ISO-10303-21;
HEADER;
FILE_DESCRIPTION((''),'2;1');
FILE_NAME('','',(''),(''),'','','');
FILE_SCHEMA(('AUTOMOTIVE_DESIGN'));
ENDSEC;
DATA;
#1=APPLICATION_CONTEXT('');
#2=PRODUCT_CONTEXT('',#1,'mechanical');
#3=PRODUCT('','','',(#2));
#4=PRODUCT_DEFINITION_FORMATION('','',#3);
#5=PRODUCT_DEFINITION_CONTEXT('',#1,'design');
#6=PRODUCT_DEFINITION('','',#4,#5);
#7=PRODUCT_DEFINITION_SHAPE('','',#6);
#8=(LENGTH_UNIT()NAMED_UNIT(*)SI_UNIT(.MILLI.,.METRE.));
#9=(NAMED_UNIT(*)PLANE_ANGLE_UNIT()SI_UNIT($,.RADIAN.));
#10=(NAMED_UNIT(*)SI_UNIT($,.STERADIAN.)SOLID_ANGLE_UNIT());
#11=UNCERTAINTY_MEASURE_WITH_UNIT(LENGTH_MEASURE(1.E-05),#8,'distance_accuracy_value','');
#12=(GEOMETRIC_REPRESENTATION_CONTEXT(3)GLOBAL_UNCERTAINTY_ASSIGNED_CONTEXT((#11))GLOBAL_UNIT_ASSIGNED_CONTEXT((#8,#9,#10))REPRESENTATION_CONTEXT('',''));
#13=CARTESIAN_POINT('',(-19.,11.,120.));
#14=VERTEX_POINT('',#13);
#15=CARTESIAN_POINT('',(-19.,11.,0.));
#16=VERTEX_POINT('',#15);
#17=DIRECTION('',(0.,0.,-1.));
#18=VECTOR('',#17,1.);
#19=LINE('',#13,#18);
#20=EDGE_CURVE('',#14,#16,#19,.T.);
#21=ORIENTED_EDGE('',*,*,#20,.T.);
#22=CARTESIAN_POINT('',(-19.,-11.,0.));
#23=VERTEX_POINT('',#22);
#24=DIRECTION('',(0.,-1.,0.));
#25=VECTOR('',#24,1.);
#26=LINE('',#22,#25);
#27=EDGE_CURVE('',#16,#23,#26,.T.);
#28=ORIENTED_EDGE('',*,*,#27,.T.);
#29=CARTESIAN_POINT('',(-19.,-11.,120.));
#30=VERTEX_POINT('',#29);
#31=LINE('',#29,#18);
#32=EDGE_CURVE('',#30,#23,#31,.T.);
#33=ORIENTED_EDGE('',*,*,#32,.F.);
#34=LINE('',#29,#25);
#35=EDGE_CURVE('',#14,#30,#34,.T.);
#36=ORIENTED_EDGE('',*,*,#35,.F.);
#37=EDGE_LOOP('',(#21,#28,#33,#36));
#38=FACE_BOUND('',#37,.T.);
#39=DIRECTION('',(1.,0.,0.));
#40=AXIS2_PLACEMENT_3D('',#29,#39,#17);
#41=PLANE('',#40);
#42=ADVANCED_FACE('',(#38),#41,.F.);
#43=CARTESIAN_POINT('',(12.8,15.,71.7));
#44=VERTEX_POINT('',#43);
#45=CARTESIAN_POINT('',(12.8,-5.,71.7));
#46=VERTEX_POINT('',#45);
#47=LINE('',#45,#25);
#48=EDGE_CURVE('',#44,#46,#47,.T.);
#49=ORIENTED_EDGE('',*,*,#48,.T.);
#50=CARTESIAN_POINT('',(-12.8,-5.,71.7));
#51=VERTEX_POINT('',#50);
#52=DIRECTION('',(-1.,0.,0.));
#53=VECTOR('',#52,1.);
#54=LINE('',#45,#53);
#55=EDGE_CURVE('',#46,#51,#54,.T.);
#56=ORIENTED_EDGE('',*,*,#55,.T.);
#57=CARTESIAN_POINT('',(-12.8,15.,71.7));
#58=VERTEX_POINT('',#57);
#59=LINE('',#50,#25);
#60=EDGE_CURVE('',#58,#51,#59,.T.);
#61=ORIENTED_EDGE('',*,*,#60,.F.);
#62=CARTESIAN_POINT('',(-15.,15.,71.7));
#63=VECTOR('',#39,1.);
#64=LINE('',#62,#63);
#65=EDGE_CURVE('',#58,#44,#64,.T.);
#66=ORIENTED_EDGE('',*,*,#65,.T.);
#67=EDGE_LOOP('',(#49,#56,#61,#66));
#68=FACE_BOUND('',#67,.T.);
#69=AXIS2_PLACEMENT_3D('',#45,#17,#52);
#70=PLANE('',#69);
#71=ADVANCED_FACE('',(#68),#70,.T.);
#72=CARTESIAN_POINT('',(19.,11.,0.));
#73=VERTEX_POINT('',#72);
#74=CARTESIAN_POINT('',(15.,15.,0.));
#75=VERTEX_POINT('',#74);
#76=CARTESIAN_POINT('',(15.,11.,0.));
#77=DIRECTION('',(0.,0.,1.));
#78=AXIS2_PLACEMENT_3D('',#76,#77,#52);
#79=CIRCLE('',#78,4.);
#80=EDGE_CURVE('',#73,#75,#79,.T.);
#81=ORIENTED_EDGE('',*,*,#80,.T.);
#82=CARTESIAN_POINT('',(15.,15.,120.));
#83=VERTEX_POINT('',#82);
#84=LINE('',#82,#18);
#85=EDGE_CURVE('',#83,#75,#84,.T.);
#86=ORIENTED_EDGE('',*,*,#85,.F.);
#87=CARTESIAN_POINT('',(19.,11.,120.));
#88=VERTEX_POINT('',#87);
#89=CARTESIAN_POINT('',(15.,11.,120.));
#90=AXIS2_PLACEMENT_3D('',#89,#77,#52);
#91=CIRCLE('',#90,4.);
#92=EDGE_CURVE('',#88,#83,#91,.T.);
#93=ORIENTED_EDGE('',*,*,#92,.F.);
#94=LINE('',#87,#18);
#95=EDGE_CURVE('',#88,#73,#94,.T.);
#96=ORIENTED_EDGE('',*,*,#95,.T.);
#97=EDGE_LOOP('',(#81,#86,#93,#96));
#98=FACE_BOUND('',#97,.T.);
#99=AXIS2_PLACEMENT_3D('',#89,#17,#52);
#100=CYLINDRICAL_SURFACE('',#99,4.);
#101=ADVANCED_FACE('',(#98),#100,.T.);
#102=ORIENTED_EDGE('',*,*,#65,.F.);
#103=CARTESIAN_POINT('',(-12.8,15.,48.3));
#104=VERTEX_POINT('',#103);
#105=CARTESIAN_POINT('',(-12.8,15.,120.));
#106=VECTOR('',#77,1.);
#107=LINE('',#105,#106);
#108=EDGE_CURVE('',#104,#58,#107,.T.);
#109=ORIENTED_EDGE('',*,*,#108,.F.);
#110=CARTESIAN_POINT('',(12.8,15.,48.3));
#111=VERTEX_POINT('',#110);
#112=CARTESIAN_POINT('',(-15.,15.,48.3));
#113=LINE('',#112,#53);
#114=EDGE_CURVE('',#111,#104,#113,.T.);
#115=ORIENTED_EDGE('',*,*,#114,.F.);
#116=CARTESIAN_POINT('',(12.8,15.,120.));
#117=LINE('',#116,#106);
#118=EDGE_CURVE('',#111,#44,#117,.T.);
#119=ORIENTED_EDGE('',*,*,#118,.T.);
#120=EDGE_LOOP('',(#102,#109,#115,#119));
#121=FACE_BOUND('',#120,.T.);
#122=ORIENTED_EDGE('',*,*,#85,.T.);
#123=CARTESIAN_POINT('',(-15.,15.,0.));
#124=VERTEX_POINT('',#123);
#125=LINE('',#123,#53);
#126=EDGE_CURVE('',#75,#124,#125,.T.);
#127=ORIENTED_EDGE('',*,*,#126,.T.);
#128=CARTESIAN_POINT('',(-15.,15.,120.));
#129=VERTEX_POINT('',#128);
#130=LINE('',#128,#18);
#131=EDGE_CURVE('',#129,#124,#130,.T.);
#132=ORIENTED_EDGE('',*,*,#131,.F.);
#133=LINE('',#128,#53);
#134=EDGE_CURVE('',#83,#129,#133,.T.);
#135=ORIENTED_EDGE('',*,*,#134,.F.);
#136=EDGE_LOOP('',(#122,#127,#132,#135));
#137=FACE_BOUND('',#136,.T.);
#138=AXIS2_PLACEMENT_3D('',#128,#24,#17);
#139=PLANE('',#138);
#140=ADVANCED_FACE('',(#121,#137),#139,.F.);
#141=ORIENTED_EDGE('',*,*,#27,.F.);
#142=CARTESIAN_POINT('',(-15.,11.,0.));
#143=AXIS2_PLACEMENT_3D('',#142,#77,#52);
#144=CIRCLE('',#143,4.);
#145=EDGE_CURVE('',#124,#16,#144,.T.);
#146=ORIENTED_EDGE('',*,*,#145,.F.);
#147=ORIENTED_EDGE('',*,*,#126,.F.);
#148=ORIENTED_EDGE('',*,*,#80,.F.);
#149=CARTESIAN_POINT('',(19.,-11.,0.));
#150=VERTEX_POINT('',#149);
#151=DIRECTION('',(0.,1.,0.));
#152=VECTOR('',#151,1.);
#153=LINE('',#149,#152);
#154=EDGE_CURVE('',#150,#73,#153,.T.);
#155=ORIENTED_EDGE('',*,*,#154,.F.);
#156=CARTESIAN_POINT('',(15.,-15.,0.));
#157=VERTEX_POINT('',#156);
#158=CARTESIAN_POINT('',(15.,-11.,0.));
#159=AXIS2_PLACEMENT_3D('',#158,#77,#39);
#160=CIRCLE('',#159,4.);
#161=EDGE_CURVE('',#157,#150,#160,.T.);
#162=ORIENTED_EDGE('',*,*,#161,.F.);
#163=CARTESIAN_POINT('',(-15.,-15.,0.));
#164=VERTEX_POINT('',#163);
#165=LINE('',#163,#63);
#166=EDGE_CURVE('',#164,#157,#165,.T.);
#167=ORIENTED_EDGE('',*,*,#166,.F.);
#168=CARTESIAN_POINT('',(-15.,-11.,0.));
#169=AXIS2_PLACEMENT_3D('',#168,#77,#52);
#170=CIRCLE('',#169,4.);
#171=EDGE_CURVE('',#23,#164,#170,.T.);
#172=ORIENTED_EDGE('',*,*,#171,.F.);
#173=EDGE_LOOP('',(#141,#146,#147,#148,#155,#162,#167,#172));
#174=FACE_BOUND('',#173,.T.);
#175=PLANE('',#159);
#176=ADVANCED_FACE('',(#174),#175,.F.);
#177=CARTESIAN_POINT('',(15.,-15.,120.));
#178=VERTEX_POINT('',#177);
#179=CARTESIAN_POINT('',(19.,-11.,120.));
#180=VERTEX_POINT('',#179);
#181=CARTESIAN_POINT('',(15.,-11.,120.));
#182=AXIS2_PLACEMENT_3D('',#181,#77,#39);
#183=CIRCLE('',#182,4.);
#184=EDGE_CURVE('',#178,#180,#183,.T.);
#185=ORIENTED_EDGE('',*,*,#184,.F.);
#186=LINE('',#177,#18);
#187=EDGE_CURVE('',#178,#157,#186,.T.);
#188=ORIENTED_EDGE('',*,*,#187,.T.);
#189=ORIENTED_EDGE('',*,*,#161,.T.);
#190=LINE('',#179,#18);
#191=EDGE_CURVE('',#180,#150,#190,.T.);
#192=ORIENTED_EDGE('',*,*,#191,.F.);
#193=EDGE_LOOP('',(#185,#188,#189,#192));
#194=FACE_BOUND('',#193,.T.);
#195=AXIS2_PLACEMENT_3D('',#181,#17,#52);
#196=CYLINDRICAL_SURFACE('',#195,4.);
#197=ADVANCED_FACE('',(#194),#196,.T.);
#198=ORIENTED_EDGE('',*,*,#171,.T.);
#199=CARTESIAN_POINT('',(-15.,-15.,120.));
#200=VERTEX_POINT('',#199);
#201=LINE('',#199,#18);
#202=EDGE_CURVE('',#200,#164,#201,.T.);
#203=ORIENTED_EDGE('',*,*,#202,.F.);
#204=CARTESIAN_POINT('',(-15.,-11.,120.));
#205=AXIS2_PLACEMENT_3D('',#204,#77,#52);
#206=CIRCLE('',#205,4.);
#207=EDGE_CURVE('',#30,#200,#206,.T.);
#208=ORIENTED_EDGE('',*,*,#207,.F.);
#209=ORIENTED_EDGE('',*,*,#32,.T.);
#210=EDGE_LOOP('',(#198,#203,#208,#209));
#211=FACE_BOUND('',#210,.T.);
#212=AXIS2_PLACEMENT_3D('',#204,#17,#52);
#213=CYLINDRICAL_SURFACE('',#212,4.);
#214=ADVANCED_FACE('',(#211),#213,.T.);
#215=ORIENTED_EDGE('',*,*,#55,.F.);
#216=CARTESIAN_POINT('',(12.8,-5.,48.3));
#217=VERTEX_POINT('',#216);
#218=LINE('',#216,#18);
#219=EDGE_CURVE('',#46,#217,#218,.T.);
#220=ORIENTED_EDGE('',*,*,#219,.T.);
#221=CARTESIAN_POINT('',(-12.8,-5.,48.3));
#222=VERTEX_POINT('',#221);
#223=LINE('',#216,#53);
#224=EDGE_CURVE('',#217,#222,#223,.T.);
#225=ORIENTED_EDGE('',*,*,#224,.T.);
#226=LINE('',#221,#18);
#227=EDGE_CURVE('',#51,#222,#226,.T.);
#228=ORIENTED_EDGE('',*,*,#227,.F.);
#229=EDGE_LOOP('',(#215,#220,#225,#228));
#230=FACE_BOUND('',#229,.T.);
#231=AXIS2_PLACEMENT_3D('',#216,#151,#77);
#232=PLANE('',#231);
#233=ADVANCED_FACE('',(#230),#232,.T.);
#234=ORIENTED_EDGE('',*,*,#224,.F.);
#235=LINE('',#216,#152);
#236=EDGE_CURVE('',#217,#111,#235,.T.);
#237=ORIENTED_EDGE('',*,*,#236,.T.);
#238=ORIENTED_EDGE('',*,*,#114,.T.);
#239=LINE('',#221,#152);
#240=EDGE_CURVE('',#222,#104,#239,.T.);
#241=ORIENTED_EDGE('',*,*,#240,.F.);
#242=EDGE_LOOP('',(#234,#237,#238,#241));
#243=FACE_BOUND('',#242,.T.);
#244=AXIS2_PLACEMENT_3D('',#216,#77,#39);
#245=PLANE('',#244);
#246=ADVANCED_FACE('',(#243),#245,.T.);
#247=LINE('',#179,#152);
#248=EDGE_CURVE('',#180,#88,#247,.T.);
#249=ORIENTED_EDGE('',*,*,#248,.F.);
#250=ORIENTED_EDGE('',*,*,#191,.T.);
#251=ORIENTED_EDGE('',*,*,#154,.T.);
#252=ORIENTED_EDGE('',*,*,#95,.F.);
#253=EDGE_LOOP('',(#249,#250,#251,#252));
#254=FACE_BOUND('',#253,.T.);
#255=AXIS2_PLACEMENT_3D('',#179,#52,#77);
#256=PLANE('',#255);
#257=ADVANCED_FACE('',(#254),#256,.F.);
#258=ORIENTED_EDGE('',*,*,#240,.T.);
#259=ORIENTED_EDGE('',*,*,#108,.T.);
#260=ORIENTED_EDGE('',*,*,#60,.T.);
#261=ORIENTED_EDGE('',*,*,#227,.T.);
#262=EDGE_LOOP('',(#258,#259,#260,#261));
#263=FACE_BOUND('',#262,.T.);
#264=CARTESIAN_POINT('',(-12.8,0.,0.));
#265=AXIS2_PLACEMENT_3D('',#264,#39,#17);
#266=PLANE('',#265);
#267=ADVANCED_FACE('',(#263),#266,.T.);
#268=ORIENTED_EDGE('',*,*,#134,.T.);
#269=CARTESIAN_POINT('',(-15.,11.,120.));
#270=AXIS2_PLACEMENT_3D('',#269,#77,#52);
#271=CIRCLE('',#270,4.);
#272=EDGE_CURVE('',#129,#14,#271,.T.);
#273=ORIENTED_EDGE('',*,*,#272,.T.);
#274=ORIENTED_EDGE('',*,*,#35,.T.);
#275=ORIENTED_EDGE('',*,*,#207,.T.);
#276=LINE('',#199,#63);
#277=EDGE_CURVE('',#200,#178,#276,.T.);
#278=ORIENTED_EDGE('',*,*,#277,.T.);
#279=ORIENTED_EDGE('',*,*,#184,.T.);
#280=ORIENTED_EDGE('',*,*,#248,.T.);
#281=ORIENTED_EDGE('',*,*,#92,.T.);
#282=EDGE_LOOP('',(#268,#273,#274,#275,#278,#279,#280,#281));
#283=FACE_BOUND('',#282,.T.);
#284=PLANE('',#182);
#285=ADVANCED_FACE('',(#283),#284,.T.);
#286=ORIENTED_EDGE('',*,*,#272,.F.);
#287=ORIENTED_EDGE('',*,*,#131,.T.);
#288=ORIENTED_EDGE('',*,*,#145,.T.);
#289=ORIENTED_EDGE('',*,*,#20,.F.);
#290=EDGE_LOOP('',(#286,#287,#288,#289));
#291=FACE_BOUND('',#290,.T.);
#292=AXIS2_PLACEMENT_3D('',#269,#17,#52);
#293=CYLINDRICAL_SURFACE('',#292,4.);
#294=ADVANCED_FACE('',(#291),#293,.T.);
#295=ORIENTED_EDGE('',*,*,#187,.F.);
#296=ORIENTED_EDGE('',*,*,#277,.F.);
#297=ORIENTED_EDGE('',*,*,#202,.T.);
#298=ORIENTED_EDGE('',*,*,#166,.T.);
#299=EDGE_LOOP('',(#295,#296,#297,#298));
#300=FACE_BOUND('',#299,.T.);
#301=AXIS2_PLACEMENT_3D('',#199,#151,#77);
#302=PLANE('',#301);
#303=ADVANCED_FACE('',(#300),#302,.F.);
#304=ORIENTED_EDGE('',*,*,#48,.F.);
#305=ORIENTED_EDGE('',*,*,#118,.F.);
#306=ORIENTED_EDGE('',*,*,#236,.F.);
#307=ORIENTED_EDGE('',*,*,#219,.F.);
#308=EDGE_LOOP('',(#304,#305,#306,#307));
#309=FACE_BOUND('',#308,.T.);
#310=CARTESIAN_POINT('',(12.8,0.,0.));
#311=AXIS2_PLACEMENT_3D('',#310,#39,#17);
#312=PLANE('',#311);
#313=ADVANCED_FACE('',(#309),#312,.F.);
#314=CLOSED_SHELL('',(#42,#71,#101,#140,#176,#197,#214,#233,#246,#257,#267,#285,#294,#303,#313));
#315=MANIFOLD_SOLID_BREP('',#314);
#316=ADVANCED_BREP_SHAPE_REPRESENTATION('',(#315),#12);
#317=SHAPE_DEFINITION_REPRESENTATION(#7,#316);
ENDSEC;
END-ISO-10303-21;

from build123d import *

# Parameters (mm, degrees)
BOSS_EXTRUDE2_DEPTH     = 120
CUT_EXTRUDE1_DEPTH      = 12.8
CUT_EXTRUDE1_DEPTH_BACK = 12.8
SKETCH5_W               = 23.4
SKETCH5_H               = 29


with BuildPart() as part:
    # Sketch4 → Boss-Extrude2 (new body)
    with BuildSketch(Plane.XY):
        with BuildLine():
            Line((-15, -15), (15, -15))
            ThreePointArc((15, -15), (17.828427125, -13.828427125), (19, -11))
            Line((19, -11), (19, 11))
            ThreePointArc((19, 11), (17.828427125, 13.828427125), (15, 15))
            Line((15, 15), (-15, 15))
            ThreePointArc((-15, 15), (-17.828427125, 13.828427125), (-19, 11))
            Line((-19, 11), (-19, -11))
            ThreePointArc((-19, -11), (-17.828427125, -13.828427125), (-15, -15))
        make_face()
    extrude(amount=BOSS_EXTRUDE2_DEPTH)

    # Sketch5 → Cut-Extrude1 (cut, two sides: drawn at the far end of the back side and taken through both)
    with BuildSketch(Plane(origin=(0, 0, 0), x_dir=(0, 0, -1), z_dir=(1, 0, 0)).offset(-CUT_EXTRUDE1_DEPTH_BACK)):
        with Locations((-60, 9.5)):
            Rectangle(SKETCH5_W, SKETCH5_H)
    extrude(amount=CUT_EXTRUDE1_DEPTH + CUT_EXTRUDE1_DEPTH_BACK, mode=Mode.SUBTRACT)


solid = part.part
